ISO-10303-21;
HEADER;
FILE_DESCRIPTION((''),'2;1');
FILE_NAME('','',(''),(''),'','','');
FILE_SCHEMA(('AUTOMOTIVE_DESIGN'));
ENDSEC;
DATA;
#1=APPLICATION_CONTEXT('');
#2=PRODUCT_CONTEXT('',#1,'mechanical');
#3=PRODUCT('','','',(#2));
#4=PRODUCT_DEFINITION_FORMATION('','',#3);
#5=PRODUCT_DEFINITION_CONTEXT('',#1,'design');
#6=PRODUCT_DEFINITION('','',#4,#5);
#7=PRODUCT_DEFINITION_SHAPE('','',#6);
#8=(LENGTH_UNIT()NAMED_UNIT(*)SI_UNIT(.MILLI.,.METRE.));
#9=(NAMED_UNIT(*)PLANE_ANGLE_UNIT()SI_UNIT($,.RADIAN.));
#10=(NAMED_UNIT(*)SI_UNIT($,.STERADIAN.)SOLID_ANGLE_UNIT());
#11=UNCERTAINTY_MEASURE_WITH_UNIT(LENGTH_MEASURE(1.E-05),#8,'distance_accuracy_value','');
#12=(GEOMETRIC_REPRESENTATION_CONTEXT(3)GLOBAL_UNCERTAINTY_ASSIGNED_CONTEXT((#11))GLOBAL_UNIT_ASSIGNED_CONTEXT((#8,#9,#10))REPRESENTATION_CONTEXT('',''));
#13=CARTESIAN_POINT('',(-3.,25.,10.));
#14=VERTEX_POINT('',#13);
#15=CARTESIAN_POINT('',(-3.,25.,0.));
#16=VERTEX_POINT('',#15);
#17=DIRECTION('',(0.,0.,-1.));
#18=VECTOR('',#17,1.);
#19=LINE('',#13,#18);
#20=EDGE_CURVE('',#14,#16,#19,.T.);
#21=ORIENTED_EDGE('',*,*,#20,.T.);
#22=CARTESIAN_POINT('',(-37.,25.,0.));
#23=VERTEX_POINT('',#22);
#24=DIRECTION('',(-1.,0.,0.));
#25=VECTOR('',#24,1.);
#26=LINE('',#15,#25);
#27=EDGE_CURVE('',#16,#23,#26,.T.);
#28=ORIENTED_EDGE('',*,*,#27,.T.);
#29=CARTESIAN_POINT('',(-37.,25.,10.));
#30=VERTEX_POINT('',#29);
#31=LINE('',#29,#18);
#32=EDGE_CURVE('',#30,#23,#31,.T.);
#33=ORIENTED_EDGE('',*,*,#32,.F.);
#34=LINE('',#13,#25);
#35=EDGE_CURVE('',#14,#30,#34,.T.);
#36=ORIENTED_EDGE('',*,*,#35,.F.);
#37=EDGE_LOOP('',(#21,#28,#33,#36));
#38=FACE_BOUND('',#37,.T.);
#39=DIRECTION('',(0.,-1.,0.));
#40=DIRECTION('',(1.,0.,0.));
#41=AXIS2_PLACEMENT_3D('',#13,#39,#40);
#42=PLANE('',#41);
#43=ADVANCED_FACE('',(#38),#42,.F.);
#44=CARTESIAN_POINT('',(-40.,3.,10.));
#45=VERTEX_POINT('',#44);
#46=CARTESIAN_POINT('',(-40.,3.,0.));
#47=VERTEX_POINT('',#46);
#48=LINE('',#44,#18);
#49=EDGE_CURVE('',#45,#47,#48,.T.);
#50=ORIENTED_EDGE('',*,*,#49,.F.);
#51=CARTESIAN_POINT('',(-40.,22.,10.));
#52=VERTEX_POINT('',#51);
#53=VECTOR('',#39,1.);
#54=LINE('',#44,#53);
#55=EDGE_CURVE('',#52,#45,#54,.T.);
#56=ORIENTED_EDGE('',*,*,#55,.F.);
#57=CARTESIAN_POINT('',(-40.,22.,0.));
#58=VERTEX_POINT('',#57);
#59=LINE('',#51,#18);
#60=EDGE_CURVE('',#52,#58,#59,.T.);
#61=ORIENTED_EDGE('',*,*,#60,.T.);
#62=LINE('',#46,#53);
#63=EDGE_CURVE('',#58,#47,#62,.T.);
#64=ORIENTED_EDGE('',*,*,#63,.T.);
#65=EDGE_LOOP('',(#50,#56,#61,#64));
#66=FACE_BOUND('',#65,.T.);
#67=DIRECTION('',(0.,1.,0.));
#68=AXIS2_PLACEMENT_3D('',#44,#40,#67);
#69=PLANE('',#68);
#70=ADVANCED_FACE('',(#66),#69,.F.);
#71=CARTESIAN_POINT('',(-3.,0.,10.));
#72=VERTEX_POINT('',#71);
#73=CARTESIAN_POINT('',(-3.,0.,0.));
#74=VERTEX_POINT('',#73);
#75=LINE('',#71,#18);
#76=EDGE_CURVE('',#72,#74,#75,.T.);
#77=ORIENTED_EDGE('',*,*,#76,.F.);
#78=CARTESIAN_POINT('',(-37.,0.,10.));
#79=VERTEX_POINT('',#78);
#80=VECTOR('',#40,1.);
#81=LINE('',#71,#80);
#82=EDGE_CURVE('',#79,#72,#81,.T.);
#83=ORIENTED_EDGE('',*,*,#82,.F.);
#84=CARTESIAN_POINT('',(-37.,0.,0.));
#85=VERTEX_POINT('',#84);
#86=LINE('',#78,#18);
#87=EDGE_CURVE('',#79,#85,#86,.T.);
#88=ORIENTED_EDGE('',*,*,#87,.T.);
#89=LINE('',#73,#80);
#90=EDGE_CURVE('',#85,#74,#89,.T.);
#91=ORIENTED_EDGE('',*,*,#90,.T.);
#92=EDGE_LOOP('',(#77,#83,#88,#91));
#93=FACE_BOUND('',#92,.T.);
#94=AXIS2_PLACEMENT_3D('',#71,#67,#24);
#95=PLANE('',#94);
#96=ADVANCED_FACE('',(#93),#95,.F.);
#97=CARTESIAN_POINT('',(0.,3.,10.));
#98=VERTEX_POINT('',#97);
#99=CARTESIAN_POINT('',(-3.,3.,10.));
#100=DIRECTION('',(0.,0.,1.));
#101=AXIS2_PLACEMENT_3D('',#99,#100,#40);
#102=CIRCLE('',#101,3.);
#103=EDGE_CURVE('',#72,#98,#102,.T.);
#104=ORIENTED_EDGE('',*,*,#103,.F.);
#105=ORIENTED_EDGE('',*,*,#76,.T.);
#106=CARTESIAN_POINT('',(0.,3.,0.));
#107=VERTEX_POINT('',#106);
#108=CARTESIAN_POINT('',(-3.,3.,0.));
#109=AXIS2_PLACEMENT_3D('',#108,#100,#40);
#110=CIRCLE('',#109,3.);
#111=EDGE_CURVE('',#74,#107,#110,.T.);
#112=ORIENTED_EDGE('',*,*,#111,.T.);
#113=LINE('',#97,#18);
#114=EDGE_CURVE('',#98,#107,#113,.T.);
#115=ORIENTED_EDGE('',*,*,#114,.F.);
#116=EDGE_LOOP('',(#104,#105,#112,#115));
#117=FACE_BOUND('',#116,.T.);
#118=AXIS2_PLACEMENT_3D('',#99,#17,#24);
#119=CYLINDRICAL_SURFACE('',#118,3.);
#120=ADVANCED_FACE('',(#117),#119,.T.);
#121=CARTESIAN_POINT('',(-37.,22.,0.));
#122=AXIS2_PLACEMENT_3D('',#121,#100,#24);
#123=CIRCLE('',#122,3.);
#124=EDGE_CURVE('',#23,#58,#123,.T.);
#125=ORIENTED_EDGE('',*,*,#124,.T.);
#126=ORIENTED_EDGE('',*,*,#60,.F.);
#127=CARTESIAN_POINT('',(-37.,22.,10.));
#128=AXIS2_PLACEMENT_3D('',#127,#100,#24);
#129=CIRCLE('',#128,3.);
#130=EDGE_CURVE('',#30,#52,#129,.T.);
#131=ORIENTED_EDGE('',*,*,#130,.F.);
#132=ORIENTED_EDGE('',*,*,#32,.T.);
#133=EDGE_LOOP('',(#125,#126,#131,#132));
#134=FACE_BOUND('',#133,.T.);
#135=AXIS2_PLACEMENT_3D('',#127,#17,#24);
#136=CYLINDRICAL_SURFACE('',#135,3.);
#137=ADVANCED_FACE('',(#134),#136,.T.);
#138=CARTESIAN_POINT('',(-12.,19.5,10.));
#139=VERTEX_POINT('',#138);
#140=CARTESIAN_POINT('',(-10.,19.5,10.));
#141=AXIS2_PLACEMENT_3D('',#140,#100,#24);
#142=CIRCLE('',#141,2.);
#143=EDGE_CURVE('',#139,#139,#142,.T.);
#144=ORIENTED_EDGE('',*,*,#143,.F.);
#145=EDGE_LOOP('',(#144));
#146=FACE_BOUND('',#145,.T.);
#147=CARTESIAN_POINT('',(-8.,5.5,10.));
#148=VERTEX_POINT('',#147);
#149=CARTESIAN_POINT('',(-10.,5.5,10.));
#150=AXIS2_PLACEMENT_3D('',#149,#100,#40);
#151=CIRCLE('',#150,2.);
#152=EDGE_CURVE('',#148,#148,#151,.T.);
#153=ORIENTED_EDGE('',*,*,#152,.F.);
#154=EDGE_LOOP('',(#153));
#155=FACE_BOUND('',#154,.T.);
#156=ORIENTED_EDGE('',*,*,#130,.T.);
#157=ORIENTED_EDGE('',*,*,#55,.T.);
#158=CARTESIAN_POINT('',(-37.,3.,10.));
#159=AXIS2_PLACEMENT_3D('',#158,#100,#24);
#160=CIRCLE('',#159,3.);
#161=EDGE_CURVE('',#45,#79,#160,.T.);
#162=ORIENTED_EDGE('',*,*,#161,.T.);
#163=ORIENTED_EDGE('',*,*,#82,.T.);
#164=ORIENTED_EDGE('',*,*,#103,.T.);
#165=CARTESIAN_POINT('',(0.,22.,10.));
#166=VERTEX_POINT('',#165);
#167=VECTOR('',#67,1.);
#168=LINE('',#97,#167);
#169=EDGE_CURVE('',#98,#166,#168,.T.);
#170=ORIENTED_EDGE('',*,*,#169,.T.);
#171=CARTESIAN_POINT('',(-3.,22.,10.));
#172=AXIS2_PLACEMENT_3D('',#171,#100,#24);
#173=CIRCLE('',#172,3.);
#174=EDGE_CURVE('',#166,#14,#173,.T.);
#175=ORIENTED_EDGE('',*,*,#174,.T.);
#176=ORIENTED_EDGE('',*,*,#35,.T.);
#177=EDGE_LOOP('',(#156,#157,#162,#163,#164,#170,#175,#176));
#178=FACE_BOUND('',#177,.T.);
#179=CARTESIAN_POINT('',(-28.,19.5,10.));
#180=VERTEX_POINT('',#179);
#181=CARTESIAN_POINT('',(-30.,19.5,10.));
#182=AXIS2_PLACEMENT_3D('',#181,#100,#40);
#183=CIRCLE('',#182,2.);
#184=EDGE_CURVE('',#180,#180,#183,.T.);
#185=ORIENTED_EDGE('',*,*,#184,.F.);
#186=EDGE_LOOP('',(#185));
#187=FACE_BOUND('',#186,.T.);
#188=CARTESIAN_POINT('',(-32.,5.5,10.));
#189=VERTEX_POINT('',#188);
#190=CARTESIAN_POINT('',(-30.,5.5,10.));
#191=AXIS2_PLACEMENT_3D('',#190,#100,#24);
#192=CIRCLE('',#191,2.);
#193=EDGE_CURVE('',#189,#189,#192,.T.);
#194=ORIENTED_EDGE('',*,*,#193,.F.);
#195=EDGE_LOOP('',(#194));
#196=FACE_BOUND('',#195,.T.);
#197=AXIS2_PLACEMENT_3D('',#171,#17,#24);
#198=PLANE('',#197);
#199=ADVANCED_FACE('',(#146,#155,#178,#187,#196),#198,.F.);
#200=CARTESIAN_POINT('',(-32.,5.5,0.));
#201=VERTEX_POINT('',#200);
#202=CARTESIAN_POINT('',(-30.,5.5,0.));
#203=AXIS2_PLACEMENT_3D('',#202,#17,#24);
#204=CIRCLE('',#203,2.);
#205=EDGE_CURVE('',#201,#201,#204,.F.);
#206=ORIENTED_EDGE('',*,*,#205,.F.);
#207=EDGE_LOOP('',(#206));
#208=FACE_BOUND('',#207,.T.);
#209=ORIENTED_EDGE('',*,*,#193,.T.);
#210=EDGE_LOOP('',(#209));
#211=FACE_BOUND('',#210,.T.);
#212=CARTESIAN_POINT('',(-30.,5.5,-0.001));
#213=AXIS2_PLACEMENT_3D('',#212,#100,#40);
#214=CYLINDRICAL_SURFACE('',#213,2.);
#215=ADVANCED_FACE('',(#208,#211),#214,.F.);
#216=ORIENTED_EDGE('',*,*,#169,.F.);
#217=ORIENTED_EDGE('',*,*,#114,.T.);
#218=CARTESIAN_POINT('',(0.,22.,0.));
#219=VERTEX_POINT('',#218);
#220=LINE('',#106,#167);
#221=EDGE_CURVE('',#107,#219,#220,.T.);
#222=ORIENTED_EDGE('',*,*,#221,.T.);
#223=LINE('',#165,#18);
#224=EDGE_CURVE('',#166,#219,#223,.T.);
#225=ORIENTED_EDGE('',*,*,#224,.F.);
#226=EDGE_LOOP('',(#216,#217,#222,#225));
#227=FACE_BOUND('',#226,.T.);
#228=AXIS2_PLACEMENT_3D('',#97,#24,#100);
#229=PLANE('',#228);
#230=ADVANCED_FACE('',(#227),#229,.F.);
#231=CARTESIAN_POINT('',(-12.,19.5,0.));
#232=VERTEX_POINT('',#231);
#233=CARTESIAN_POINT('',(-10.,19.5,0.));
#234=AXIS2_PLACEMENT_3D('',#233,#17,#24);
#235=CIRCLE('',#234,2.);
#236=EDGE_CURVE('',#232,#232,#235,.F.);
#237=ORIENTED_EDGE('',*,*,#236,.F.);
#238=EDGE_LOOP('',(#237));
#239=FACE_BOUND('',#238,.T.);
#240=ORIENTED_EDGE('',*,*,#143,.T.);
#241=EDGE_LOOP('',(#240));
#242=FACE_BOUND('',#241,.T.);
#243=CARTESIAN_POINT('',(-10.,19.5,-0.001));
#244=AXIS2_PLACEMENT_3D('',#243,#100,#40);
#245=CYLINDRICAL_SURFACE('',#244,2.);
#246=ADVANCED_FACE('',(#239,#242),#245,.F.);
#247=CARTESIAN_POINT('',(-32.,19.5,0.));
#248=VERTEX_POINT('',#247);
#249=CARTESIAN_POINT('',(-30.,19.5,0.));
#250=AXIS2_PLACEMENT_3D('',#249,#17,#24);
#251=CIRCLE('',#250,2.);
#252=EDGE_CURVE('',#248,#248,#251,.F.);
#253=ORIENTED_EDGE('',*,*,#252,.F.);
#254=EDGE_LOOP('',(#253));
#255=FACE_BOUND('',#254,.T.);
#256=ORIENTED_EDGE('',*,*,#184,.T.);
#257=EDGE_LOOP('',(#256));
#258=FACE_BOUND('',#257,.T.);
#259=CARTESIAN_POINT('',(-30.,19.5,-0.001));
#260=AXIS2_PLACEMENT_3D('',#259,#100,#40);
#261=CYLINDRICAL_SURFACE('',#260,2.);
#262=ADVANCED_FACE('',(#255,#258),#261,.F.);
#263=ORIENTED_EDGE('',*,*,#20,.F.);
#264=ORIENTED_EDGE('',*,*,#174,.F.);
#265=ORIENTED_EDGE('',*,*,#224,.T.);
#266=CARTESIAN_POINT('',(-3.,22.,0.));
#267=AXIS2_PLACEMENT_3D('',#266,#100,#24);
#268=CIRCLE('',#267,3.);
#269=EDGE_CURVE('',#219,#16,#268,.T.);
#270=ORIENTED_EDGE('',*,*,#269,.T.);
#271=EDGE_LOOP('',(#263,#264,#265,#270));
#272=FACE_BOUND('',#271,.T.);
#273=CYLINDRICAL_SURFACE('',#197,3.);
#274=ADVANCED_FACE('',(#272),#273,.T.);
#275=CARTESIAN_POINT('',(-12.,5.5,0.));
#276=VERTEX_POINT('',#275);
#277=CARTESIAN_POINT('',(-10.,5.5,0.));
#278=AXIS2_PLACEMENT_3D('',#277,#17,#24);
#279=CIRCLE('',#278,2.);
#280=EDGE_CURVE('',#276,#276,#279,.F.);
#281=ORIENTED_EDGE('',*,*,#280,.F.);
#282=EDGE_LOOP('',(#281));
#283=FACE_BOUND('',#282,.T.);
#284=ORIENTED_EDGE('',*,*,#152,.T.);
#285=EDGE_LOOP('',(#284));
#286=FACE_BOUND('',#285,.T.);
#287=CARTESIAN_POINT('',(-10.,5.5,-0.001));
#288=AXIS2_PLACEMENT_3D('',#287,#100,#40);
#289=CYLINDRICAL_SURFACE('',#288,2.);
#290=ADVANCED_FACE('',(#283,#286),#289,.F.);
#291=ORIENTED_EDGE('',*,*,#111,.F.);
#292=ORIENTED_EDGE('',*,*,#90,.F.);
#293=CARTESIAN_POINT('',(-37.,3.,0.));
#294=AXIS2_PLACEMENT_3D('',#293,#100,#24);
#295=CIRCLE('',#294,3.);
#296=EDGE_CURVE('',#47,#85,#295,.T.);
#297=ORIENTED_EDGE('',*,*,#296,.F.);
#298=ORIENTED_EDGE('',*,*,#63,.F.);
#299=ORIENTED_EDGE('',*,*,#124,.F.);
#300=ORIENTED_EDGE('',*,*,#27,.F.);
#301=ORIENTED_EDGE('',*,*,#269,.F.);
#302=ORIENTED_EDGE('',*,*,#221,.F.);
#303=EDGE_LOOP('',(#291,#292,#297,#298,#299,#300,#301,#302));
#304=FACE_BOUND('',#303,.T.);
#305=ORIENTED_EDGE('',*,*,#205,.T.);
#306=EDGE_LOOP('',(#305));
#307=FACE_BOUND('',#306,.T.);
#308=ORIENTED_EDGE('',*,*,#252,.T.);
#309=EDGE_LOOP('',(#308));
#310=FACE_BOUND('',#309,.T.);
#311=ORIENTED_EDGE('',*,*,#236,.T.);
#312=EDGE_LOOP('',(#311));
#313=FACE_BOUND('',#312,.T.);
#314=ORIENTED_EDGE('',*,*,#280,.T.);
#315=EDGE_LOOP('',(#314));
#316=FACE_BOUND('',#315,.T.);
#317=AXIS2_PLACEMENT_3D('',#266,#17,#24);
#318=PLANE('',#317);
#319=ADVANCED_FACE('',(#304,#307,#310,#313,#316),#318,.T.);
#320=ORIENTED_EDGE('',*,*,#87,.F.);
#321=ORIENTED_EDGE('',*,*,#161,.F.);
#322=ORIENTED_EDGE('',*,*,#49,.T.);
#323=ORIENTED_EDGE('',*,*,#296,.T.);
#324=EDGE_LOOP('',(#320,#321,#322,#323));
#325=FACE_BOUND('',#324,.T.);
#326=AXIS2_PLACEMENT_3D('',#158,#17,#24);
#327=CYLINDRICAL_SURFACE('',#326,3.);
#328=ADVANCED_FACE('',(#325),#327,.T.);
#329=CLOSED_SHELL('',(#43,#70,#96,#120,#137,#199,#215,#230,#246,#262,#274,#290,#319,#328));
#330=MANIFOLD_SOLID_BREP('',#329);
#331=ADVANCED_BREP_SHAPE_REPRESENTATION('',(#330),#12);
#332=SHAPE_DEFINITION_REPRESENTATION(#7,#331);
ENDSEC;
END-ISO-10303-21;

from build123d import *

# Parameters (mm, degrees)
EXTRUDE_1_DEPTH     = 10
CUT_EXTRUDE_1_REACH = 50.218
SKETCH_3_R          = 2


with BuildPart() as part:
    # 草图1 → 凸台-拉伸1 (new body)
    with BuildSketch(Plane.XY):
        with BuildLine():
            Line((-3, 0), (-37, 0))
            ThreePointArc((-37, 0), (-39.121320344, 0.878679656), (-40, 3))
            Line((-40, 3), (-40, 22))
            ThreePointArc((-40, 22), (-39.121320344, 24.121320344), (-37, 25))
            Line((-37, 25), (-3, 25))
            ThreePointArc((-3, 25), (-0.878679656, 24.121320344), (0, 22))
            Line((0, 22), (0, 3))
            ThreePointArc((0, 3), (-0.878679656, 0.878679656), (-3, 0))
        make_face()
    extrude(amount=EXTRUDE_1_DEPTH)

    # 草图3 → 切除-拉伸1 (cut, up to next)
    with BuildSketch(Plane.XY.offset(10), mode=Mode.PRIVATE) as cut_extrude_1_sk1:
        with Locations((-30, 19.5)):
            Circle(SKETCH_3_R)
    cut_extrude_1_tool1 = extrude(cut_extrude_1_sk1.sketch, amount=-CUT_EXTRUDE_1_REACH, mode=Mode.PRIVATE) & part.part
    # 草图3 → 切除-拉伸1 (cut, up to next)
    with BuildSketch(Plane.XY.offset(10), mode=Mode.PRIVATE) as cut_extrude_1_sk2:
        with Locations(Location((-30, 5.5, 0), (0, 0, 180))):
            Circle(SKETCH_3_R)
    cut_extrude_1_tool2 = extrude(cut_extrude_1_sk2.sketch, amount=-CUT_EXTRUDE_1_REACH, mode=Mode.PRIVATE) & part.part
    # 草图3 → 切除-拉伸1 (cut, up to next)
    with BuildSketch(Plane.XY.offset(10), mode=Mode.PRIVATE) as cut_extrude_1_sk3:
        with Locations(Location((-10, 19.5, 0), (0, 0, 180))):
            Circle(SKETCH_3_R)
    cut_extrude_1_tool3 = extrude(cut_extrude_1_sk3.sketch, amount=-CUT_EXTRUDE_1_REACH, mode=Mode.PRIVATE) & part.part
    # 草图3 → 切除-拉伸1 (cut, up to next)
    with BuildSketch(Plane.XY.offset(10), mode=Mode.PRIVATE) as cut_extrude_1_sk4:
        with Locations((-10, 5.5)):
            Circle(SKETCH_3_R)
    cut_extrude_1_tool4 = extrude(cut_extrude_1_sk4.sketch, amount=-CUT_EXTRUDE_1_REACH, mode=Mode.PRIVATE) & part.part
    add(cut_extrude_1_tool1.solids().sort_by_distance((-30, 19.5, 10))[0], mode=Mode.SUBTRACT)
    add(cut_extrude_1_tool2.solids().sort_by_distance((-30, 5.5, 10))[0], mode=Mode.SUBTRACT)
    add(cut_extrude_1_tool3.solids().sort_by_distance((-10, 19.5, 10))[0], mode=Mode.SUBTRACT)
    add(cut_extrude_1_tool4.solids().sort_by_distance((-10, 5.5, 10))[0], mode=Mode.SUBTRACT)


solid = part.part
